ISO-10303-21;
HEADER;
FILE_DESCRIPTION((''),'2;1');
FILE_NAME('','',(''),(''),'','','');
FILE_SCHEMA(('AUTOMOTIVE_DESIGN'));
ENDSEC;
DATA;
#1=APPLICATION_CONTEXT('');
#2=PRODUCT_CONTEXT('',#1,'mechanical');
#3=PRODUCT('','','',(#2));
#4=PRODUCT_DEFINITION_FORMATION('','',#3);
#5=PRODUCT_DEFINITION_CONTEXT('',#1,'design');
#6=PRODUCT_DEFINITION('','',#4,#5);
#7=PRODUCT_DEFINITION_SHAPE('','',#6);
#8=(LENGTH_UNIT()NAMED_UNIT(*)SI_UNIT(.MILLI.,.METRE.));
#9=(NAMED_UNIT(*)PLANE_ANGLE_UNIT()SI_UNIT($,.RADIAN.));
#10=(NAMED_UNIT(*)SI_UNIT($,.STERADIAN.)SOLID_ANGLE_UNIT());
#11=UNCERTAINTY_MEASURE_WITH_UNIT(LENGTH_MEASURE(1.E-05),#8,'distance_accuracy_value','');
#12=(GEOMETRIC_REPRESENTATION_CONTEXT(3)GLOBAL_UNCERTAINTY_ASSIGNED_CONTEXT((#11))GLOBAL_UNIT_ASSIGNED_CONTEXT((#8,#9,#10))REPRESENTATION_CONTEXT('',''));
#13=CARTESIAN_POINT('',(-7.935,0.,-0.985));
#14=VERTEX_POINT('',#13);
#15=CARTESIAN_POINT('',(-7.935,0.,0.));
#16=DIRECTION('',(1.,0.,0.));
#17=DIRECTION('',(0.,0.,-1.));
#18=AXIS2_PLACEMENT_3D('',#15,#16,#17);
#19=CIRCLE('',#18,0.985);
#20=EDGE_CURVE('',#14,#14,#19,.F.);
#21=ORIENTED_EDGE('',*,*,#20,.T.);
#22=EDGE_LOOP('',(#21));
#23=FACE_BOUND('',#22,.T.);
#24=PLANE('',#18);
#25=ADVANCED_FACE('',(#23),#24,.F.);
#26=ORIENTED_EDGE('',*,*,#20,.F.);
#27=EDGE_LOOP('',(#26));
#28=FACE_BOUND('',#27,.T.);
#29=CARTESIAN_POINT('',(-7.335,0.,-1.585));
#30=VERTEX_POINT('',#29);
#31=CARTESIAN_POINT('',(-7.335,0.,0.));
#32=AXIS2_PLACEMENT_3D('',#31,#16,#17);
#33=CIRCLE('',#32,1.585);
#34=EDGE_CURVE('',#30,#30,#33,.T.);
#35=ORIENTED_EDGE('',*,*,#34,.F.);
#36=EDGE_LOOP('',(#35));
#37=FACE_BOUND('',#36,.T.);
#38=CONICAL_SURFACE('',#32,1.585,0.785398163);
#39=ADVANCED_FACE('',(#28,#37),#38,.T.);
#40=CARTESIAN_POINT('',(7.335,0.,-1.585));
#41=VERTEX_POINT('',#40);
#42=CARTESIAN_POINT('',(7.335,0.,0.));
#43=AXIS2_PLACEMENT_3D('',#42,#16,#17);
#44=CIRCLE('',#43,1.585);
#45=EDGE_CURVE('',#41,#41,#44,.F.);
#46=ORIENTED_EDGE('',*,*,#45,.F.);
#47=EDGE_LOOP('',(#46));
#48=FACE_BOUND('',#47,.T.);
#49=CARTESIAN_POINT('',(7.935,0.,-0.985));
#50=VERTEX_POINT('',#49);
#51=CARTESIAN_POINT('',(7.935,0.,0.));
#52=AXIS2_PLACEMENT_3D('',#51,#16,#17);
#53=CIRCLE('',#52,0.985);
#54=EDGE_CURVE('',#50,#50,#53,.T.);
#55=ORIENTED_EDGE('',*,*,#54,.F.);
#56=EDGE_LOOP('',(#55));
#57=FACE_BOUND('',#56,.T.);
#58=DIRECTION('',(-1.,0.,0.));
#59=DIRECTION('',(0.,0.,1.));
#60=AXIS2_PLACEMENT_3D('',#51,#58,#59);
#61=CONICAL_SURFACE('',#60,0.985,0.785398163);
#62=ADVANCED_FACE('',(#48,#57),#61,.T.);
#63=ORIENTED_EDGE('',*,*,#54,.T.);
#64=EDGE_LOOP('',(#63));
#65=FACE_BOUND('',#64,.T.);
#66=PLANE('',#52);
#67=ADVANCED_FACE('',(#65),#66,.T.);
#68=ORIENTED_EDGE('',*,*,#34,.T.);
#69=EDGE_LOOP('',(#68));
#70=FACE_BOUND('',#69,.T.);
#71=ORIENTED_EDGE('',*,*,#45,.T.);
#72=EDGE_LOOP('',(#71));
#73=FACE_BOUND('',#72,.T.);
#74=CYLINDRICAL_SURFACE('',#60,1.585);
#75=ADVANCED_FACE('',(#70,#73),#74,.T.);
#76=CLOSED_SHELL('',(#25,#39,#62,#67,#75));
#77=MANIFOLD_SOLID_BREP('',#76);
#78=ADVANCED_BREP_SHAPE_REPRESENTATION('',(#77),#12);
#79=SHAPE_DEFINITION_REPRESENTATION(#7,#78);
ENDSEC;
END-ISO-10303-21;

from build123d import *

# Parameters (mm, degrees)
ESQUISSE1_R        = 1.585
BOSS_EXTRU_1_DEPTH = 7.935
CHANFREIN1_SIZE    = 0.6


with BuildPart() as part:
    # Esquisse1 → Boss.-Extru.1 (new body, symmetric)
    with BuildSketch(Plane(origin=(0, 0, 0), x_dir=(0, 0, -1), z_dir=(1, 0, 0))):
        Circle(ESQUISSE1_R)
    extrude(amount=BOSS_EXTRU_1_DEPTH, both=True)

    # Chanfrein1
    chanfrein1_edges = [part.edges().sort_by_distance(p)[0] for p in [
        (-7.935, 0, 1.585),
        (7.935, 0, 1.585),
    ]]
    chamfer(chanfrein1_edges, length=CHANFREIN1_SIZE)


solid = part.part
